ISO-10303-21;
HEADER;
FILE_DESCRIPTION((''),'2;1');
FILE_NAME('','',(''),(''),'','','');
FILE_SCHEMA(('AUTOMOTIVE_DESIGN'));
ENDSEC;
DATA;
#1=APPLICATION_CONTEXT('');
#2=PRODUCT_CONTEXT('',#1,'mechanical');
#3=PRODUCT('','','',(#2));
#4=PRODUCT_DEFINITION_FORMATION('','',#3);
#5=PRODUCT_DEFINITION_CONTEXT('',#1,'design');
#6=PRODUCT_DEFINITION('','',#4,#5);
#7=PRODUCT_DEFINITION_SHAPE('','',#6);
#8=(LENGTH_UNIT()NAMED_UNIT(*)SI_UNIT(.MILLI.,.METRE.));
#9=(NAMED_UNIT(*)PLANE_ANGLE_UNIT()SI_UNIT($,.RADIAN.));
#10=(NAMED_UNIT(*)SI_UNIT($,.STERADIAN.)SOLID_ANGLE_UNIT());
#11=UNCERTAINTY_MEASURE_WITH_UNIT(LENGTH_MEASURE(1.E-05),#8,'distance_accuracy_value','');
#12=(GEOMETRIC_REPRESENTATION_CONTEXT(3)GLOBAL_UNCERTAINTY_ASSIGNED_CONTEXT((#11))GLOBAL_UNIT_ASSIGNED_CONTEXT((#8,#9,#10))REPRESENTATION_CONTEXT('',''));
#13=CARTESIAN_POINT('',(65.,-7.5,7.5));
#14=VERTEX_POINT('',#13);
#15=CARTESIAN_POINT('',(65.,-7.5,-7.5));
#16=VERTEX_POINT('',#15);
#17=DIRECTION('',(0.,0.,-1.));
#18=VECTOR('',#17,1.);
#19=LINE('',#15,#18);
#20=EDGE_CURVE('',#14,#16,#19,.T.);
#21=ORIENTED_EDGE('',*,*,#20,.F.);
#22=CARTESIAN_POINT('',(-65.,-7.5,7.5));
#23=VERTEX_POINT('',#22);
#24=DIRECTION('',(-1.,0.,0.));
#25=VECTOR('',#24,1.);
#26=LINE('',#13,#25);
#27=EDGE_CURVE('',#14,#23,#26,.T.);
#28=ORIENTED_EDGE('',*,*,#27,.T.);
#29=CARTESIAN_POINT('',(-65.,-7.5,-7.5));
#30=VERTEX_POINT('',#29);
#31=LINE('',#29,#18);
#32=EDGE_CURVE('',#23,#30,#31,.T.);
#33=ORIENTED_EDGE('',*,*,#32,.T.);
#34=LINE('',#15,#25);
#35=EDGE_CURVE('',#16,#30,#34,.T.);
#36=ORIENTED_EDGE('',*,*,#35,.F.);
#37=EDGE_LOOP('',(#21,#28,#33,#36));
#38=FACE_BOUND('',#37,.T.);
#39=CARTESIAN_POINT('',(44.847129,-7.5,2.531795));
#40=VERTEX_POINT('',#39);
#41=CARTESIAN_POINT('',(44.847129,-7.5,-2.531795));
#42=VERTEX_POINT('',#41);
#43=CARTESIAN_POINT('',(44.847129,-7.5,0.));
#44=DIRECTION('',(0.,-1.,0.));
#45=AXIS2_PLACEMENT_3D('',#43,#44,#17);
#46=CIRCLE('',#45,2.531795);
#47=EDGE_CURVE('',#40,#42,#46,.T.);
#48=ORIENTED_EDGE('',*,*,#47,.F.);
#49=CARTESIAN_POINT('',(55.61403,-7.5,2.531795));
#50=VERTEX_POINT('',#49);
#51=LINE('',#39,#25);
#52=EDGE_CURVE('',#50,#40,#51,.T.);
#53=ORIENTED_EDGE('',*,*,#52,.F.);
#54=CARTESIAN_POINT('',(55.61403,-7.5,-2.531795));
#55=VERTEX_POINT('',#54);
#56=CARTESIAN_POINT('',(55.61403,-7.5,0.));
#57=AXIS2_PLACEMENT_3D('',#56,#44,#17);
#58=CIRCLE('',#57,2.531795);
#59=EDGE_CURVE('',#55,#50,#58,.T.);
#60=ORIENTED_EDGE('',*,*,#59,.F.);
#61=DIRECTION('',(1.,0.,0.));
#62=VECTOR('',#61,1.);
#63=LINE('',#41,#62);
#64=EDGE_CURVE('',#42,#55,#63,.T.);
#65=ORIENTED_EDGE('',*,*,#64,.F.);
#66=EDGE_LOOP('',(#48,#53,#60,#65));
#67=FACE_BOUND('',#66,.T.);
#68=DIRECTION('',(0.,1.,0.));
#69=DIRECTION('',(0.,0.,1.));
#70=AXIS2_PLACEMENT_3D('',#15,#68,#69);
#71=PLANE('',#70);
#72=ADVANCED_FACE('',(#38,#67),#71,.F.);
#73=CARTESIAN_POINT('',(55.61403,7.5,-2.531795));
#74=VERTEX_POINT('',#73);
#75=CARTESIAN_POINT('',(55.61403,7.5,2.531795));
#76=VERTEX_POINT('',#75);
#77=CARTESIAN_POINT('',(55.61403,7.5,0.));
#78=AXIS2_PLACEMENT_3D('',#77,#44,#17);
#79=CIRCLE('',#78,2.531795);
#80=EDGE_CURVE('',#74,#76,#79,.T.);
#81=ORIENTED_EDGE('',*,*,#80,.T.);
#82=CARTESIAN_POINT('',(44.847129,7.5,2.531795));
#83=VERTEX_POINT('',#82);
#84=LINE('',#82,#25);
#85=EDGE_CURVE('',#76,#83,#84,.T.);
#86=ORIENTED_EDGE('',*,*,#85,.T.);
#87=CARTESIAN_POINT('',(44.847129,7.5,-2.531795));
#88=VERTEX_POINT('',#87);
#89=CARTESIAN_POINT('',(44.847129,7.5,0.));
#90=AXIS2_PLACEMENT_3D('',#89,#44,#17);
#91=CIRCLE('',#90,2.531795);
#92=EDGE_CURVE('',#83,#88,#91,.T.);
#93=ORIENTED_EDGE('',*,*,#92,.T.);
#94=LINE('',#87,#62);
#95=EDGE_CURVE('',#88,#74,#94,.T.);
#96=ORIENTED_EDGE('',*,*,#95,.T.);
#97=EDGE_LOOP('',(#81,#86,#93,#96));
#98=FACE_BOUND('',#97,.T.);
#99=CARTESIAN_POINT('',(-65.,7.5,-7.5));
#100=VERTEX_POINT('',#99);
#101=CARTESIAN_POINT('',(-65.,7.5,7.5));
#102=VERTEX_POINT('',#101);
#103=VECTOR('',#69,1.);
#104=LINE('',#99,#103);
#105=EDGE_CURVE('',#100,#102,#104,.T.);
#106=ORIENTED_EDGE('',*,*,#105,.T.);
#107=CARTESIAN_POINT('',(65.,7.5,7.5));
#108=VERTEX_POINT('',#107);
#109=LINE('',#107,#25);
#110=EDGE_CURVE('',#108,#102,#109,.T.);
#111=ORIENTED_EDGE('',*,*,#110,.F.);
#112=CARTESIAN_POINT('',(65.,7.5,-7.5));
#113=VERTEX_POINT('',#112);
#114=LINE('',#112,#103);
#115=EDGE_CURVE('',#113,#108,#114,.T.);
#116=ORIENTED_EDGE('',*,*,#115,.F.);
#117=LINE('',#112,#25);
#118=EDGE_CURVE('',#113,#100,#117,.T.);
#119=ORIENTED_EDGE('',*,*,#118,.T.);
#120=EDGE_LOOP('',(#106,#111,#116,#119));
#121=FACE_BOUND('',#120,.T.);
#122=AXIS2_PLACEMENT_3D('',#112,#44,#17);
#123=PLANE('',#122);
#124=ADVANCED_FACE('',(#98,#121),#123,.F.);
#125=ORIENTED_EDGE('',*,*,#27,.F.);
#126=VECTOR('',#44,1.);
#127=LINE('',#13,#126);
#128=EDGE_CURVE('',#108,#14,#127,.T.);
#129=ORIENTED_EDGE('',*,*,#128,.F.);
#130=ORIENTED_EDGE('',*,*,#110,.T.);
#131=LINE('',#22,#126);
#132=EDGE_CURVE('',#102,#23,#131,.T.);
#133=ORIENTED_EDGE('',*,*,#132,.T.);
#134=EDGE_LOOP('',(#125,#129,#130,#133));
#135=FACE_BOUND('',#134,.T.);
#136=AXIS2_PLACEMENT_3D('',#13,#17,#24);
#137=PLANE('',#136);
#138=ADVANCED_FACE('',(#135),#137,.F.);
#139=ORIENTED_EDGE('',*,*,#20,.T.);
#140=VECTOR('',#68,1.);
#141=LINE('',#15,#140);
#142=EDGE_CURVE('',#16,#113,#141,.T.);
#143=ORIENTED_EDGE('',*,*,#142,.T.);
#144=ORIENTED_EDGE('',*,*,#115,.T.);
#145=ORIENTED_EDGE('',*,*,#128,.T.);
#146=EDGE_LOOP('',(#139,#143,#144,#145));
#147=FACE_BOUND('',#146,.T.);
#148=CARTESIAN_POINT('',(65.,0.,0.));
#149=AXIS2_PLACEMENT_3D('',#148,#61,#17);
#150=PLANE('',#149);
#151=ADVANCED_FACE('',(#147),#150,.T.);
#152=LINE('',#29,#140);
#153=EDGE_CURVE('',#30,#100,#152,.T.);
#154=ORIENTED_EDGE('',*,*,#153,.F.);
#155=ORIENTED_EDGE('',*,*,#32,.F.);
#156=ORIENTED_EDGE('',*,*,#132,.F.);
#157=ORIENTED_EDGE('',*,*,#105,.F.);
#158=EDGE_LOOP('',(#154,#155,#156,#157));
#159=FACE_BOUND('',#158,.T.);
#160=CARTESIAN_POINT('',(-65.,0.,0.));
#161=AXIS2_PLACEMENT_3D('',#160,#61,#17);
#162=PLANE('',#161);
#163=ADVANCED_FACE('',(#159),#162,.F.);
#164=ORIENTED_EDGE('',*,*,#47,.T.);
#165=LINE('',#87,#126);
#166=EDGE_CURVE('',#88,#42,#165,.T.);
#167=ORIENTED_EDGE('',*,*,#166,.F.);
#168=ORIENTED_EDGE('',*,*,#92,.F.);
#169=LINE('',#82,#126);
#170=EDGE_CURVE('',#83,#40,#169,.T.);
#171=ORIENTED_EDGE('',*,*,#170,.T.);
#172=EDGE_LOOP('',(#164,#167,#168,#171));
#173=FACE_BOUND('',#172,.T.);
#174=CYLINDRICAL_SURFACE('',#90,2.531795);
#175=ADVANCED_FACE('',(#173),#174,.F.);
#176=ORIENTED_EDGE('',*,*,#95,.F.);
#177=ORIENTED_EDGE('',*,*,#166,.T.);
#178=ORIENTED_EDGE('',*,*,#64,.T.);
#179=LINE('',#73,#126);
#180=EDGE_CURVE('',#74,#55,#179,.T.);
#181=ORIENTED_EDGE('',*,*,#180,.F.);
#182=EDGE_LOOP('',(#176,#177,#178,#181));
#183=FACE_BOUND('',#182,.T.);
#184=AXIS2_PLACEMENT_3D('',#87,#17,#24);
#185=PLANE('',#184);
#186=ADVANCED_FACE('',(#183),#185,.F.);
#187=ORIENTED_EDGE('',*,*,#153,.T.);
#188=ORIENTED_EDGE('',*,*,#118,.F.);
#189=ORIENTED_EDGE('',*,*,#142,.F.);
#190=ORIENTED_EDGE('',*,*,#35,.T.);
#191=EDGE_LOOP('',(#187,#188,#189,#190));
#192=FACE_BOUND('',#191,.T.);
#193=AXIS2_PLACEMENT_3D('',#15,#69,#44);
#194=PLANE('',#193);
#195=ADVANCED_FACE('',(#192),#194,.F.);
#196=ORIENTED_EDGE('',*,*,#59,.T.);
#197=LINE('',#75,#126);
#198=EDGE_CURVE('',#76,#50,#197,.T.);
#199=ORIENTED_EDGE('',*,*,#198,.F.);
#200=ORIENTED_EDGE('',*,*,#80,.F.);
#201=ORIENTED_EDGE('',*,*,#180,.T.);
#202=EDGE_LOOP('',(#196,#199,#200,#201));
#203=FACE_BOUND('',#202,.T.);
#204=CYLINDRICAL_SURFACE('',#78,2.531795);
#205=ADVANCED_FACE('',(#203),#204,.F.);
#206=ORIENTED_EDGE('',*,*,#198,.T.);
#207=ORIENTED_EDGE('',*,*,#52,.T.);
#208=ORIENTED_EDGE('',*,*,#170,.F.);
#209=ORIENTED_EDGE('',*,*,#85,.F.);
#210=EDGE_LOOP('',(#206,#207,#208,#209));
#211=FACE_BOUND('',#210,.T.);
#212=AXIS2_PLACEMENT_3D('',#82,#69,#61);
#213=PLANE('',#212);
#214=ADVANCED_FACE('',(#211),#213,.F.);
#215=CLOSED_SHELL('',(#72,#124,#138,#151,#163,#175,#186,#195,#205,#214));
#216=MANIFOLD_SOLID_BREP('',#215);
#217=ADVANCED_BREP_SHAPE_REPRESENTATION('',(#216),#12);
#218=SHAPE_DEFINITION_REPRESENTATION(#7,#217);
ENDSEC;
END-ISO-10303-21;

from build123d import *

# Parameters (mm, degrees)
CROQUIS1_W              = 15
CROQUIS1_H              = 15
SALIENTE_EXTRUIR1_DEPTH = 65
CORTAR_EXTRUIR1_DEPTH   = 68.12860791


with BuildPart() as part:
    # Croquis1 → Saliente-Extruir1 (new, symmetric)
    with BuildSketch(Plane(origin=(0, 0, 0), x_dir=(0, 0, -1), z_dir=(1, 0, 0))):
        Rectangle(CROQUIS1_W, CROQUIS1_H)
    extrude(amount=SALIENTE_EXTRUIR1_DEPTH, both=True)

    # Croquis2 → Cortar-Extruir1 (cut, through all)
    with BuildSketch(Plane.XZ.offset(7.5)):
        with BuildLine():
            Line((44.847129428, 2.531795375), (55.614029525, 2.531795375))
            ThreePointArc((55.614029525, 2.531795375), (58.1458249, 0), (55.614029525, -2.531795375))
            Line((55.614029525, -2.531795375), (44.847129428, -2.531795375))
            ThreePointArc((44.847129428, -2.531795375), (42.315334053, 0), (44.847129428, 2.531795375))
        make_face()
    extrude(amount=-CORTAR_EXTRUIR1_DEPTH, mode=Mode.SUBTRACT)


solid = part.part
